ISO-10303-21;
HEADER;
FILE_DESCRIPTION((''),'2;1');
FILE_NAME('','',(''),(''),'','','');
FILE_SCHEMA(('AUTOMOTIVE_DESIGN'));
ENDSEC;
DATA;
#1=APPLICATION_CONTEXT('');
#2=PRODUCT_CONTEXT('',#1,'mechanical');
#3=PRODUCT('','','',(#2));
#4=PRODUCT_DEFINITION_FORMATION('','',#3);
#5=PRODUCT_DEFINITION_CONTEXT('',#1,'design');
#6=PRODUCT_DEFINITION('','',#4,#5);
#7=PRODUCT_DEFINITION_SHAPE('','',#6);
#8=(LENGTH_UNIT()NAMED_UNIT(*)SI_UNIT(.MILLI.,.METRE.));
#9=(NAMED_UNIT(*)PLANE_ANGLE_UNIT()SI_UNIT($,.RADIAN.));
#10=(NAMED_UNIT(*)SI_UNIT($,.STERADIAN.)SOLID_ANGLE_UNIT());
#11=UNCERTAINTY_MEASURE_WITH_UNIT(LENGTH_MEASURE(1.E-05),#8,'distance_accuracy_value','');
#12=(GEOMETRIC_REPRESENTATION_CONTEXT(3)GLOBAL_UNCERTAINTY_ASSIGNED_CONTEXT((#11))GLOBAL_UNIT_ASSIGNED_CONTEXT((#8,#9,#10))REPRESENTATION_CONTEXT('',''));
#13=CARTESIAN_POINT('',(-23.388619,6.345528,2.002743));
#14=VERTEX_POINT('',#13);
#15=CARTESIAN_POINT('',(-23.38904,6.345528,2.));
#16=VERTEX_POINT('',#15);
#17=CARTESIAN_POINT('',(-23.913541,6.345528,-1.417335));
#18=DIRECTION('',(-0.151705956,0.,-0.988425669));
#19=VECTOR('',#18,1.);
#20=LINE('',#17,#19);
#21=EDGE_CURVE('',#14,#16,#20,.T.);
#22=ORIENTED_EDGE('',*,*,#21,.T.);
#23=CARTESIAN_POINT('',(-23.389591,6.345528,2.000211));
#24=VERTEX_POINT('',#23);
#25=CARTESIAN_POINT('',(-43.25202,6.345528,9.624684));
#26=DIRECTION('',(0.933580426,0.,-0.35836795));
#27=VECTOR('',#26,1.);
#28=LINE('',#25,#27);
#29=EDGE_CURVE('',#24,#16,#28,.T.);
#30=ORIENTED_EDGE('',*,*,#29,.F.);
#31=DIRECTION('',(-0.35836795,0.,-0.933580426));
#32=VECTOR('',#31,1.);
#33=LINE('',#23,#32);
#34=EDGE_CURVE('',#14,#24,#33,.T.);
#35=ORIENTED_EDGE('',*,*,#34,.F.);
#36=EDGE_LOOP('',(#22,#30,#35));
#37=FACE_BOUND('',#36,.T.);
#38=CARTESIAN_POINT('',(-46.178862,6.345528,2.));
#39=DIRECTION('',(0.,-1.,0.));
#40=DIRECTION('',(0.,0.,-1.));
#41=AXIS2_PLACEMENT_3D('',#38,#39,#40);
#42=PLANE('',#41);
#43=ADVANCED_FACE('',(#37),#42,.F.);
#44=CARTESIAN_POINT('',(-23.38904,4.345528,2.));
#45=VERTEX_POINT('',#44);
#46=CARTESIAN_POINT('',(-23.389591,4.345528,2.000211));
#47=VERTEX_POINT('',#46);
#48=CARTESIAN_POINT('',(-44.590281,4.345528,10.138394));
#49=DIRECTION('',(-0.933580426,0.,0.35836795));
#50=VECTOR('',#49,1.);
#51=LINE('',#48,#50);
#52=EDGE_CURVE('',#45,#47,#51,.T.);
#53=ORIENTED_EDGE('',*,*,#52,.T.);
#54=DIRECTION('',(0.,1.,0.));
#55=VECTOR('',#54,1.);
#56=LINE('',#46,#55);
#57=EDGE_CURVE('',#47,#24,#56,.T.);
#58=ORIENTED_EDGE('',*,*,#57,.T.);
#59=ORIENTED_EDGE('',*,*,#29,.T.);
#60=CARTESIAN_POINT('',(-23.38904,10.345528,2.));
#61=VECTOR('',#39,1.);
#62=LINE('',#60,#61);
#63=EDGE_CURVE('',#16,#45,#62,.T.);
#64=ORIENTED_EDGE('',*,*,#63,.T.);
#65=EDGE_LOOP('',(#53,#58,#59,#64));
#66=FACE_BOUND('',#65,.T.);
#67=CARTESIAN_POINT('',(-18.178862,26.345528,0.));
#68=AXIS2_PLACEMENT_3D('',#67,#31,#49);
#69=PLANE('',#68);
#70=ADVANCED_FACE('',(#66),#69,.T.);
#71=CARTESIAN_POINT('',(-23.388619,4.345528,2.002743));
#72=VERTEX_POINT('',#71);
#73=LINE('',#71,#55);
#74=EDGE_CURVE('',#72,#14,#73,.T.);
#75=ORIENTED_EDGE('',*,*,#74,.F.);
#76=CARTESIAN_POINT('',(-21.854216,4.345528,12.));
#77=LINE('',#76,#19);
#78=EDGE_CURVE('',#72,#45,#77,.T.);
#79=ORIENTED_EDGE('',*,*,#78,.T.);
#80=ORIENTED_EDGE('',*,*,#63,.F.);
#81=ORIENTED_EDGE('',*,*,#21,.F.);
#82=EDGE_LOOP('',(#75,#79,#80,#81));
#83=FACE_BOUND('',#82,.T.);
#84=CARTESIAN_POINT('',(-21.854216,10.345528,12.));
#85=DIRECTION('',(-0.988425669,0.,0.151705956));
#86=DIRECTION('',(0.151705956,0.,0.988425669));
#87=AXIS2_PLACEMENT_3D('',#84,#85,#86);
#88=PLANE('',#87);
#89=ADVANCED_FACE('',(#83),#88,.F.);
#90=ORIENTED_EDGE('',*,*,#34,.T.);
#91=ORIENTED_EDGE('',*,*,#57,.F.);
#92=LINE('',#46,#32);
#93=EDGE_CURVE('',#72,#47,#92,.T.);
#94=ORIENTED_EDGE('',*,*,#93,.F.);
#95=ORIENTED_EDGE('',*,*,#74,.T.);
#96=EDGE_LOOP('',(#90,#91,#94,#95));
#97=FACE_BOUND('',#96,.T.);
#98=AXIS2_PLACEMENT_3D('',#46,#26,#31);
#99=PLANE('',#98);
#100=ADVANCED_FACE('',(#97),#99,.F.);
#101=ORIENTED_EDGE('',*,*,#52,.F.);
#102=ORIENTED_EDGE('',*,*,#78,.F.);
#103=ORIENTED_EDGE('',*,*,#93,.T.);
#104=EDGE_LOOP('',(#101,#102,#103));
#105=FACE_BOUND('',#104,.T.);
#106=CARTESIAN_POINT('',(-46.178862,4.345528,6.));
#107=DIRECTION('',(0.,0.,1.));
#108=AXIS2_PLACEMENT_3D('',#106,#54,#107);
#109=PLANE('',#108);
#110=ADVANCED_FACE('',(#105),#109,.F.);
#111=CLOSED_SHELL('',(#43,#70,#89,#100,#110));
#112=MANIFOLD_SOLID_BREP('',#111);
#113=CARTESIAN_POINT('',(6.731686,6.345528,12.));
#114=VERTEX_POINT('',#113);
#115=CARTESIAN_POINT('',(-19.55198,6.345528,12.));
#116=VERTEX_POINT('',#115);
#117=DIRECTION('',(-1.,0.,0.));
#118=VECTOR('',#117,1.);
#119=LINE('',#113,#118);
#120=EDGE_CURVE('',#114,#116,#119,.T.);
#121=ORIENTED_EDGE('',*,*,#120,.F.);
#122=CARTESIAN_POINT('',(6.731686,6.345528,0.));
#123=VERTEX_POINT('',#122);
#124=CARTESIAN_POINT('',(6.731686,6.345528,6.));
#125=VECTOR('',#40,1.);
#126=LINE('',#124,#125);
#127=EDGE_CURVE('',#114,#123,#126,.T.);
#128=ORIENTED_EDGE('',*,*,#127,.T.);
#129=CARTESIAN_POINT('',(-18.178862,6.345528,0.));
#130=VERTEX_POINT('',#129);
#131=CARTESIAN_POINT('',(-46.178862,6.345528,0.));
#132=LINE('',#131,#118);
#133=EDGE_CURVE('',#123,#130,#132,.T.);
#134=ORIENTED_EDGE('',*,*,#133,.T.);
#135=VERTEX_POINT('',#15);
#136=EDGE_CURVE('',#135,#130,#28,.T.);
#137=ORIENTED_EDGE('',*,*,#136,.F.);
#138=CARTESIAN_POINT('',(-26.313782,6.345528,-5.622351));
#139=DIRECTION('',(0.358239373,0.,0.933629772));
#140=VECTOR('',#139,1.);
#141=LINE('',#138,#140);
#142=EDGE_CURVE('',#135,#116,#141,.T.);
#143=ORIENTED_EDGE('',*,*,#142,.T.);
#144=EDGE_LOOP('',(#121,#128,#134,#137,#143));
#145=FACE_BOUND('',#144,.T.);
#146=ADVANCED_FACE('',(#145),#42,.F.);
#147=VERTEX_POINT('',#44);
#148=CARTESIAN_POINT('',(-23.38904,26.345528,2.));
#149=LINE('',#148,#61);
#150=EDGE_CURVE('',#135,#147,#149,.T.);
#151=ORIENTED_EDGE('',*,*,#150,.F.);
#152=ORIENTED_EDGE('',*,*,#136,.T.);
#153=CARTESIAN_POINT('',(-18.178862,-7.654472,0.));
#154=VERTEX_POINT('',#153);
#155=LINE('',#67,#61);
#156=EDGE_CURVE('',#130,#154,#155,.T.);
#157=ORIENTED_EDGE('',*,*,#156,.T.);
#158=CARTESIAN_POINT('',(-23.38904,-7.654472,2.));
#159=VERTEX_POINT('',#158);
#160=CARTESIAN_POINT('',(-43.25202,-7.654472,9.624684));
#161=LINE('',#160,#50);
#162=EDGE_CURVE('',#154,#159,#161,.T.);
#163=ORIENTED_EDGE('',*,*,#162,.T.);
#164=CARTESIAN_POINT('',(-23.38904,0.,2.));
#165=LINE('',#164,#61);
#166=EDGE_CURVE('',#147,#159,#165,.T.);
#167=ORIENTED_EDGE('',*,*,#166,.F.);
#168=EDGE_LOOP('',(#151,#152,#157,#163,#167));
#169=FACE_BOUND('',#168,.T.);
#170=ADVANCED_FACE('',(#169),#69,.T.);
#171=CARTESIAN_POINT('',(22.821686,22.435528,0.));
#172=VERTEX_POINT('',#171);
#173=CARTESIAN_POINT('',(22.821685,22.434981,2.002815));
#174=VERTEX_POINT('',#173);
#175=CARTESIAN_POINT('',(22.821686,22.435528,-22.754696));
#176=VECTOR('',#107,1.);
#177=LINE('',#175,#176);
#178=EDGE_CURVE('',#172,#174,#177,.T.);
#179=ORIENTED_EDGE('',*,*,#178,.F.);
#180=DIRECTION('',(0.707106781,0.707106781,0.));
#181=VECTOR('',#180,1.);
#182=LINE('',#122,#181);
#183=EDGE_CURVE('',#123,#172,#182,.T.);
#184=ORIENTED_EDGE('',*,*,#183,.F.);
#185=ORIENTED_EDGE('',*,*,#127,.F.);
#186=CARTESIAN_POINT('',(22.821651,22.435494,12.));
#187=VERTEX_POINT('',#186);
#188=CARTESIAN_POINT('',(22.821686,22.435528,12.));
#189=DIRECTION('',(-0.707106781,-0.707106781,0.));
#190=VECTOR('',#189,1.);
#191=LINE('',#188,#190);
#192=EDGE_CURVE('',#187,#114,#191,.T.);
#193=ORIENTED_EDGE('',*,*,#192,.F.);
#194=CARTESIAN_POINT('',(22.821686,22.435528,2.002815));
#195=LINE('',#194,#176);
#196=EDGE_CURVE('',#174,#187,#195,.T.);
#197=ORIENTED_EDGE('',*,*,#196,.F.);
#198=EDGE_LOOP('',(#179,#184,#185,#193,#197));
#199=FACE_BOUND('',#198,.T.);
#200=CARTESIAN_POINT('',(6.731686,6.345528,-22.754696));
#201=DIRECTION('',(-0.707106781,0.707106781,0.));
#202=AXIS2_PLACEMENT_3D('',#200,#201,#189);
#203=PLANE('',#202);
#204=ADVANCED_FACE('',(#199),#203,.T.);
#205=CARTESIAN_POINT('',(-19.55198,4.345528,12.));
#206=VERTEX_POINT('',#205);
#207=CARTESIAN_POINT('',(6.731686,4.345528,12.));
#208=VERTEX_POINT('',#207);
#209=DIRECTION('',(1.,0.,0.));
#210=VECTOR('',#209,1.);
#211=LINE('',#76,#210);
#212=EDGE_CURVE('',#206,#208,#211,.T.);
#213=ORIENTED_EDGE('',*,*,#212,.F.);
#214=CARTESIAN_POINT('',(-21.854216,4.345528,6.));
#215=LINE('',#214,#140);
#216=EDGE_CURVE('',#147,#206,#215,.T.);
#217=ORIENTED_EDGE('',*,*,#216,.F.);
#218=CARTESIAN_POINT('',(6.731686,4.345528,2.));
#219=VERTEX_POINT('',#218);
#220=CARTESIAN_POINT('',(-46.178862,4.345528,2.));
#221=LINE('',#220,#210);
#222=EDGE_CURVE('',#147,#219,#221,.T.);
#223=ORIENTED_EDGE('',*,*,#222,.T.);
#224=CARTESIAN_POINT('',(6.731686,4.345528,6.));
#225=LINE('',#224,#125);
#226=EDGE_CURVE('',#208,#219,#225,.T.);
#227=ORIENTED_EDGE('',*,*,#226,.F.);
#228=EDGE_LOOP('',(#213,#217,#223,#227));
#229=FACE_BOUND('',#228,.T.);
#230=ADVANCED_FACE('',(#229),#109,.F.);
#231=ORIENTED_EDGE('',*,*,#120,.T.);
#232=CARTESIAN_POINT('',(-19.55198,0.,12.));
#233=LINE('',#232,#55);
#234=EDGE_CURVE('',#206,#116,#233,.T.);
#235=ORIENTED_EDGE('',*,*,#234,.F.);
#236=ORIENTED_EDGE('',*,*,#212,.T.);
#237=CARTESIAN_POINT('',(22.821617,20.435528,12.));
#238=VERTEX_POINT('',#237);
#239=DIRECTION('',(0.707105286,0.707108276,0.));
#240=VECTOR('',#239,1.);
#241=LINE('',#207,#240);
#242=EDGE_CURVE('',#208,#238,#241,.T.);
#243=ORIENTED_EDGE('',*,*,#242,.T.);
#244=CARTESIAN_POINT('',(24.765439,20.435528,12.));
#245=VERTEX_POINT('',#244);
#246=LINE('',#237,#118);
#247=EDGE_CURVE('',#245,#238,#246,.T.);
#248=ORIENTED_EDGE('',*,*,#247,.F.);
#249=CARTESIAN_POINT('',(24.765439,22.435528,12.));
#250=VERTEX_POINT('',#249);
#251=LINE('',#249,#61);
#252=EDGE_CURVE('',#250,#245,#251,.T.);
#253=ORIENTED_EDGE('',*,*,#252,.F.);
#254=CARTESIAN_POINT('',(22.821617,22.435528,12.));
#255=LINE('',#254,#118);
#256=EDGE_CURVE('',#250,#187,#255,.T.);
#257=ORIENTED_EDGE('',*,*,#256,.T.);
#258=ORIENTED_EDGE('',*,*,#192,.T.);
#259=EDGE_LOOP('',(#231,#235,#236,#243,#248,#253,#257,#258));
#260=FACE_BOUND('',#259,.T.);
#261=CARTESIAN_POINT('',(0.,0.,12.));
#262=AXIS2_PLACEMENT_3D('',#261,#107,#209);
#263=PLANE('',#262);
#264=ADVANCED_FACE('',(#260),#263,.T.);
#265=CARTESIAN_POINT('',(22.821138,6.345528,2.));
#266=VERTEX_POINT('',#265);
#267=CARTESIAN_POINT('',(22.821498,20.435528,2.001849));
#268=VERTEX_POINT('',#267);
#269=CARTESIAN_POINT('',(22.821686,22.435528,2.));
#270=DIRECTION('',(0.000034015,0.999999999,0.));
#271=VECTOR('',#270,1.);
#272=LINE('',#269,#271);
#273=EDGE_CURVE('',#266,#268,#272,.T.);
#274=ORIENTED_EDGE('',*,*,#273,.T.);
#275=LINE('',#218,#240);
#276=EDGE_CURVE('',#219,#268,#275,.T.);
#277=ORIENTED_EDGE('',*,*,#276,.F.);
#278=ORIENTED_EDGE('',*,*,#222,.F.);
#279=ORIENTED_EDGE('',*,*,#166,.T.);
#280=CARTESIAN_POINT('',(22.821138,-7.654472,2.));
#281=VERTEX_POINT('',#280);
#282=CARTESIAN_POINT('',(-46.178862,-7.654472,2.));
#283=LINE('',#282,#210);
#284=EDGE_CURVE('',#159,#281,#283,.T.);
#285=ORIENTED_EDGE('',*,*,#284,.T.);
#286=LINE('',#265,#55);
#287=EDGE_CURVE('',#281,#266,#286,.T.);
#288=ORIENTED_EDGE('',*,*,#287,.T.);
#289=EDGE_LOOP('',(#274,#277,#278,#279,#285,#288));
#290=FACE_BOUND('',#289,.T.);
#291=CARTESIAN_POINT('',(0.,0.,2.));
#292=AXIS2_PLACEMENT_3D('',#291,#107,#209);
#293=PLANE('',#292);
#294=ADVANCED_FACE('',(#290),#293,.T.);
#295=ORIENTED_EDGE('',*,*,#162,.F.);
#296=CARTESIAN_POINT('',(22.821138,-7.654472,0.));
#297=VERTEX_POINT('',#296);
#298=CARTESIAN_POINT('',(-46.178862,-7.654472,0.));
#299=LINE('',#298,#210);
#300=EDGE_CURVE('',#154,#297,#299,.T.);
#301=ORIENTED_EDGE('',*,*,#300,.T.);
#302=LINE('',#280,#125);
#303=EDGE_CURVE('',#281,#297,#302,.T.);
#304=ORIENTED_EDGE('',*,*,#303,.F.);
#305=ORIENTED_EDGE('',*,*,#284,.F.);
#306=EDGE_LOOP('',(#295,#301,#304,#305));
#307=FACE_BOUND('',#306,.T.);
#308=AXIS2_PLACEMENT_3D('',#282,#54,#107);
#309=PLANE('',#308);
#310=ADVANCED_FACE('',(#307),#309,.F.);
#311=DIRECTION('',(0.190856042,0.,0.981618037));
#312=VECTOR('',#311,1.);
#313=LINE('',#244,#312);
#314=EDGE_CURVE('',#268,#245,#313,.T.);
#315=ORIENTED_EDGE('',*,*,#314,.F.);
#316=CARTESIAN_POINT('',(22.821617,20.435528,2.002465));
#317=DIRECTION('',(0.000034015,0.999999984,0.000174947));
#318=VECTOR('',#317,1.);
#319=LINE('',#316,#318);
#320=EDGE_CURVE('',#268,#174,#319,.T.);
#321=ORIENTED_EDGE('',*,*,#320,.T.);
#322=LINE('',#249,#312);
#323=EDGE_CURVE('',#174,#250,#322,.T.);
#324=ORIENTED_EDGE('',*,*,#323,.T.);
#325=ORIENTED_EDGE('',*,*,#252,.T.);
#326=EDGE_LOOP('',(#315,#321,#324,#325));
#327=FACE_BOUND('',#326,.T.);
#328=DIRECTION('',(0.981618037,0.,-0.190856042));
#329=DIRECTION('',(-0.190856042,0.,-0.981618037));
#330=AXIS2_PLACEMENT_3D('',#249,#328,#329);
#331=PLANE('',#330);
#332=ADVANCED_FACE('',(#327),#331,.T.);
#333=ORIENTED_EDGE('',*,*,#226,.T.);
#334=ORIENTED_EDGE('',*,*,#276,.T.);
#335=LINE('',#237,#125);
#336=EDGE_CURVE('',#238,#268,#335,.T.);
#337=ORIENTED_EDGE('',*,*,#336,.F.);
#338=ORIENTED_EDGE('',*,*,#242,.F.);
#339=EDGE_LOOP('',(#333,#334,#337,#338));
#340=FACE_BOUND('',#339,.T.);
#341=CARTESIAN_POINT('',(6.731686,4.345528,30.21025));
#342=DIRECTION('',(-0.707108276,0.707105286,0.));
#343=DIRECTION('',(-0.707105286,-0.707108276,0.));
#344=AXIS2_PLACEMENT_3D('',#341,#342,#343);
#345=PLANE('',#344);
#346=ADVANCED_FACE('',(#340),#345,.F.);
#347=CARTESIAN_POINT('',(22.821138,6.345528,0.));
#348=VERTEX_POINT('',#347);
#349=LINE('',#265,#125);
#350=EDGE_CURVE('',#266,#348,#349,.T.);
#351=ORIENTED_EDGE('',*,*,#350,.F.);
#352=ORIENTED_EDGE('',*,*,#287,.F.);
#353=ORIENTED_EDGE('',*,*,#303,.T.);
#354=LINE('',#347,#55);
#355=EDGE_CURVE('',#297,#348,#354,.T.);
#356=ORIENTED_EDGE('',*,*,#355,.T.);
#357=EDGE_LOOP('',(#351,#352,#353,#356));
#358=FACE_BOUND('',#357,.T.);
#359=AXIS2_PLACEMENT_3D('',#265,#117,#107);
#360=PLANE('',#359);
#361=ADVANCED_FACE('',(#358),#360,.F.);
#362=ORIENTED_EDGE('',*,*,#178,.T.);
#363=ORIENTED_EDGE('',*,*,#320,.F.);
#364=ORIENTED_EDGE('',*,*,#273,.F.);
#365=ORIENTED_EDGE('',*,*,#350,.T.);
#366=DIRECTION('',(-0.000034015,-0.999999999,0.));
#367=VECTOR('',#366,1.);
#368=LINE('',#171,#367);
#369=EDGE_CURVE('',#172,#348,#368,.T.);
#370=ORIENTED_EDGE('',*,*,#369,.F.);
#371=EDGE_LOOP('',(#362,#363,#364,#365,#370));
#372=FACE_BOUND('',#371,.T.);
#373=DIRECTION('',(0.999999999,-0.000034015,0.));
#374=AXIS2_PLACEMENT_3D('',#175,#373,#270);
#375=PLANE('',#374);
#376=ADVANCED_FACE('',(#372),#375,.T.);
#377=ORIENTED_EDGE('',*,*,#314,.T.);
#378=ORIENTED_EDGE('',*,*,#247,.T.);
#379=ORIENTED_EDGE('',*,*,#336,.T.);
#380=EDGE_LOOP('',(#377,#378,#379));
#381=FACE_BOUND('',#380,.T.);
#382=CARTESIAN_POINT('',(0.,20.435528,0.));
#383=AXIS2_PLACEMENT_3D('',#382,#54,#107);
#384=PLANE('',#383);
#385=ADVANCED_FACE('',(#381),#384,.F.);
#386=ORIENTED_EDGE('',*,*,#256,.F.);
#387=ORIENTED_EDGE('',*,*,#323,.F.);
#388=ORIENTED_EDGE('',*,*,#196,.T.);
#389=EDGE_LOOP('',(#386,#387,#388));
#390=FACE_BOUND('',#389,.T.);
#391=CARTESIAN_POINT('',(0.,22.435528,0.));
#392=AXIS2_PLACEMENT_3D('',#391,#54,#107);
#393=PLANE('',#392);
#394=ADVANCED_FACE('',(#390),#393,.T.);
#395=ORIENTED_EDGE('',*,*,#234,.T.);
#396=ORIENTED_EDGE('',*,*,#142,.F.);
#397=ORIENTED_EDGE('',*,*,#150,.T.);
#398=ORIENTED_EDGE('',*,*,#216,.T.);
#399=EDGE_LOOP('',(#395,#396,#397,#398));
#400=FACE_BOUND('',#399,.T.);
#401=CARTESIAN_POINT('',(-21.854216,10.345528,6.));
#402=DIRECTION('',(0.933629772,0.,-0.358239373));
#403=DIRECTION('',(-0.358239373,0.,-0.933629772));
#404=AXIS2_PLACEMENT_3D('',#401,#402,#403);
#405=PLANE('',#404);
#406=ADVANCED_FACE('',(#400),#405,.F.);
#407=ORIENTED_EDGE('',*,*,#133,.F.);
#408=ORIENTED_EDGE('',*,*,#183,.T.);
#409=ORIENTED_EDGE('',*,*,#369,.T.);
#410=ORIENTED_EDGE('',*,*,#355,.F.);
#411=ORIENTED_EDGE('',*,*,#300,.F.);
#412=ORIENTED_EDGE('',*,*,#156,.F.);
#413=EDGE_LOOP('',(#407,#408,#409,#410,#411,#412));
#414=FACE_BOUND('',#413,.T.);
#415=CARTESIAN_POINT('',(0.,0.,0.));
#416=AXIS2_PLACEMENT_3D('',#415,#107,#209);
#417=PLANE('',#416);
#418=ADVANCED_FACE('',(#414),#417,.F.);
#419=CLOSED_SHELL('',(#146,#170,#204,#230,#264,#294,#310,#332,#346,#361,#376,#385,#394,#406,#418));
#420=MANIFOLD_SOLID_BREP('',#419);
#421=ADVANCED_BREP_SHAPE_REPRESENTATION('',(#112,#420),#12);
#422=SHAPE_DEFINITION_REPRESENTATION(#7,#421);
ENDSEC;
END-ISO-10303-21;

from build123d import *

# Parameters (mm, degrees)
SKETCH1_W               = 69
SKETCH1_H               = 14
BOSS_EXTRUDE1_DEPTH     = 2
SKETCH2_W               = 52.910547302
SKETCH2_H               = 2
BOSS_EXTRUDE2_DEPTH     = 4
CUT_EXTRUDE1_DEPTH      = 20
CUT_EXTRUDE1_DEPTH_BACK = 20
CUT_EXTRUDE2_DEPTH      = 2
BOSS_EXTRUDE3_DEPTH     = 2
BOSS_EXTRUDE4_DEPTH     = 4
BOSS_EXTRUDE5_DEPTH     = 6
CUT_EXTRUDE3_DEPTH      = 6
BOSS_EXTRUDE6_START     = -16.09
BOSS_EXTRUDE6_DEPTH     = 2


with BuildPart() as part:
    # Sketch1 → Boss-Extrude1 (new body)
    with BuildSketch(Plane.XY):
        with Locations((-11.678861789, -0.654471545)):
            Rectangle(SKETCH1_W, SKETCH1_H)
    extrude(amount=BOSS_EXTRUDE1_DEPTH)

    # Sketch2 → Boss-Extrude2 (add)
    with BuildSketch(Plane.XY.offset(2)):
        with Locations((-19.723588138, 5.345528455)):
            Rectangle(SKETCH2_W, SKETCH2_H)
    extrude(amount=BOSS_EXTRUDE2_DEPTH)

    # Sketch4 → Cut-Extrude1 (cut, two sides: drawn at the far end of the back side and taken through both)
    with BuildSketch(Plane(origin=(0, 6.345528455, 0), x_dir=(1, 0, 0), z_dir=(0, 1, 0)).offset(-CUT_EXTRUDE1_DEPTH_BACK)):
        Polygon((-18.178861789, 0), (-33.809396177, -6), (-46.178861789, -6), (-46.178861789, 0), align=None)
    extrude(amount=CUT_EXTRUDE1_DEPTH + CUT_EXTRUDE1_DEPTH_BACK, mode=Mode.SUBTRACT)

    # Sketch5 → Cut-Extrude2 (cut)
    with BuildSketch(Plane(origin=(0, 6.345528455, 0), x_dir=(1, 0, 0), z_dir=(0, 1, 0))):
        Polygon((-33.809396177, -6), (-23.38959077, -2.000211452), (-21.854215798, -6), align=None)
    extrude(amount=-CUT_EXTRUDE2_DEPTH, mode=Mode.SUBTRACT)

    # Sketch6 → Boss-Extrude3 (add)
    with BuildSketch(Plane.XY.offset(2)):
        Polygon((6.731685513, 6.345528455), (22.821685513, 22.435528455), (22.821138211, 6.345528455), align=None)
    extrude(amount=-BOSS_EXTRUDE3_DEPTH)

    # Sketch7 → Boss-Extrude4 (add)
    with BuildSketch(Plane.XY.offset(2)):
        Polygon((6.731685513, 4.345528455), (22.821617483, 20.435528456), (22.821685513, 22.435528455), (6.731685513, 6.345528455), align=None)
    extrude(amount=BOSS_EXTRUDE4_DEPTH)

    # Sketch8 → Boss-Extrude5 (add)
    with BuildSketch(Plane.XY.offset(6)):
        Polygon((22.821685513, 22.435528455), (6.731685513, 6.345528455), (-21.854215798, 6.345528455), (-21.854215798, 4.345528455), (6.731685513, 4.345528455), (22.821617483, 20.435528456), align=None)
    extrude(amount=BOSS_EXTRUDE5_DEPTH)

    # Sketch9 → Cut-Extrude3 (cut)
    with BuildSketch(Plane.XZ.offset(-4.345528455)):
        Polygon((-23.389039918, 2), (-21.854215798, 6), (-19.551979619, 12), (-21.854215798, 12), align=None)
    extrude(amount=-CUT_EXTRUDE3_DEPTH, mode=Mode.SUBTRACT)


with BuildPart() as cut_extrude3_piece_1:
    # of the separate pieces the step leaves, piece 1, a body of its own (cut_extrude3_pieces)
    add(part.part.solids().sort_by_distance((-18.178861789, 6.345528455, 0))[0])

    # Sketch10 → Boss-Extrude6 (add)
    with BuildSketch(Plane.XZ.offset(-4.345528455).offset(BOSS_EXTRUDE6_START)):
        Polygon((22.821617483, 12), (24.765438688, 12), (22.821138211, 2), align=None)
    extrude(amount=-BOSS_EXTRUDE6_DEPTH)


with BuildPart() as cut_extrude3_piece_2:
    # of the separate pieces the step leaves, piece 2, a body of its own (cut_extrude3_pieces)
    add(part.part.solids().sort_by_distance((-23.38861886, 6.345528455, 2.002743364))[0])


solid = Compound([cut_extrude3_piece_1.part, cut_extrude3_piece_2.part])
